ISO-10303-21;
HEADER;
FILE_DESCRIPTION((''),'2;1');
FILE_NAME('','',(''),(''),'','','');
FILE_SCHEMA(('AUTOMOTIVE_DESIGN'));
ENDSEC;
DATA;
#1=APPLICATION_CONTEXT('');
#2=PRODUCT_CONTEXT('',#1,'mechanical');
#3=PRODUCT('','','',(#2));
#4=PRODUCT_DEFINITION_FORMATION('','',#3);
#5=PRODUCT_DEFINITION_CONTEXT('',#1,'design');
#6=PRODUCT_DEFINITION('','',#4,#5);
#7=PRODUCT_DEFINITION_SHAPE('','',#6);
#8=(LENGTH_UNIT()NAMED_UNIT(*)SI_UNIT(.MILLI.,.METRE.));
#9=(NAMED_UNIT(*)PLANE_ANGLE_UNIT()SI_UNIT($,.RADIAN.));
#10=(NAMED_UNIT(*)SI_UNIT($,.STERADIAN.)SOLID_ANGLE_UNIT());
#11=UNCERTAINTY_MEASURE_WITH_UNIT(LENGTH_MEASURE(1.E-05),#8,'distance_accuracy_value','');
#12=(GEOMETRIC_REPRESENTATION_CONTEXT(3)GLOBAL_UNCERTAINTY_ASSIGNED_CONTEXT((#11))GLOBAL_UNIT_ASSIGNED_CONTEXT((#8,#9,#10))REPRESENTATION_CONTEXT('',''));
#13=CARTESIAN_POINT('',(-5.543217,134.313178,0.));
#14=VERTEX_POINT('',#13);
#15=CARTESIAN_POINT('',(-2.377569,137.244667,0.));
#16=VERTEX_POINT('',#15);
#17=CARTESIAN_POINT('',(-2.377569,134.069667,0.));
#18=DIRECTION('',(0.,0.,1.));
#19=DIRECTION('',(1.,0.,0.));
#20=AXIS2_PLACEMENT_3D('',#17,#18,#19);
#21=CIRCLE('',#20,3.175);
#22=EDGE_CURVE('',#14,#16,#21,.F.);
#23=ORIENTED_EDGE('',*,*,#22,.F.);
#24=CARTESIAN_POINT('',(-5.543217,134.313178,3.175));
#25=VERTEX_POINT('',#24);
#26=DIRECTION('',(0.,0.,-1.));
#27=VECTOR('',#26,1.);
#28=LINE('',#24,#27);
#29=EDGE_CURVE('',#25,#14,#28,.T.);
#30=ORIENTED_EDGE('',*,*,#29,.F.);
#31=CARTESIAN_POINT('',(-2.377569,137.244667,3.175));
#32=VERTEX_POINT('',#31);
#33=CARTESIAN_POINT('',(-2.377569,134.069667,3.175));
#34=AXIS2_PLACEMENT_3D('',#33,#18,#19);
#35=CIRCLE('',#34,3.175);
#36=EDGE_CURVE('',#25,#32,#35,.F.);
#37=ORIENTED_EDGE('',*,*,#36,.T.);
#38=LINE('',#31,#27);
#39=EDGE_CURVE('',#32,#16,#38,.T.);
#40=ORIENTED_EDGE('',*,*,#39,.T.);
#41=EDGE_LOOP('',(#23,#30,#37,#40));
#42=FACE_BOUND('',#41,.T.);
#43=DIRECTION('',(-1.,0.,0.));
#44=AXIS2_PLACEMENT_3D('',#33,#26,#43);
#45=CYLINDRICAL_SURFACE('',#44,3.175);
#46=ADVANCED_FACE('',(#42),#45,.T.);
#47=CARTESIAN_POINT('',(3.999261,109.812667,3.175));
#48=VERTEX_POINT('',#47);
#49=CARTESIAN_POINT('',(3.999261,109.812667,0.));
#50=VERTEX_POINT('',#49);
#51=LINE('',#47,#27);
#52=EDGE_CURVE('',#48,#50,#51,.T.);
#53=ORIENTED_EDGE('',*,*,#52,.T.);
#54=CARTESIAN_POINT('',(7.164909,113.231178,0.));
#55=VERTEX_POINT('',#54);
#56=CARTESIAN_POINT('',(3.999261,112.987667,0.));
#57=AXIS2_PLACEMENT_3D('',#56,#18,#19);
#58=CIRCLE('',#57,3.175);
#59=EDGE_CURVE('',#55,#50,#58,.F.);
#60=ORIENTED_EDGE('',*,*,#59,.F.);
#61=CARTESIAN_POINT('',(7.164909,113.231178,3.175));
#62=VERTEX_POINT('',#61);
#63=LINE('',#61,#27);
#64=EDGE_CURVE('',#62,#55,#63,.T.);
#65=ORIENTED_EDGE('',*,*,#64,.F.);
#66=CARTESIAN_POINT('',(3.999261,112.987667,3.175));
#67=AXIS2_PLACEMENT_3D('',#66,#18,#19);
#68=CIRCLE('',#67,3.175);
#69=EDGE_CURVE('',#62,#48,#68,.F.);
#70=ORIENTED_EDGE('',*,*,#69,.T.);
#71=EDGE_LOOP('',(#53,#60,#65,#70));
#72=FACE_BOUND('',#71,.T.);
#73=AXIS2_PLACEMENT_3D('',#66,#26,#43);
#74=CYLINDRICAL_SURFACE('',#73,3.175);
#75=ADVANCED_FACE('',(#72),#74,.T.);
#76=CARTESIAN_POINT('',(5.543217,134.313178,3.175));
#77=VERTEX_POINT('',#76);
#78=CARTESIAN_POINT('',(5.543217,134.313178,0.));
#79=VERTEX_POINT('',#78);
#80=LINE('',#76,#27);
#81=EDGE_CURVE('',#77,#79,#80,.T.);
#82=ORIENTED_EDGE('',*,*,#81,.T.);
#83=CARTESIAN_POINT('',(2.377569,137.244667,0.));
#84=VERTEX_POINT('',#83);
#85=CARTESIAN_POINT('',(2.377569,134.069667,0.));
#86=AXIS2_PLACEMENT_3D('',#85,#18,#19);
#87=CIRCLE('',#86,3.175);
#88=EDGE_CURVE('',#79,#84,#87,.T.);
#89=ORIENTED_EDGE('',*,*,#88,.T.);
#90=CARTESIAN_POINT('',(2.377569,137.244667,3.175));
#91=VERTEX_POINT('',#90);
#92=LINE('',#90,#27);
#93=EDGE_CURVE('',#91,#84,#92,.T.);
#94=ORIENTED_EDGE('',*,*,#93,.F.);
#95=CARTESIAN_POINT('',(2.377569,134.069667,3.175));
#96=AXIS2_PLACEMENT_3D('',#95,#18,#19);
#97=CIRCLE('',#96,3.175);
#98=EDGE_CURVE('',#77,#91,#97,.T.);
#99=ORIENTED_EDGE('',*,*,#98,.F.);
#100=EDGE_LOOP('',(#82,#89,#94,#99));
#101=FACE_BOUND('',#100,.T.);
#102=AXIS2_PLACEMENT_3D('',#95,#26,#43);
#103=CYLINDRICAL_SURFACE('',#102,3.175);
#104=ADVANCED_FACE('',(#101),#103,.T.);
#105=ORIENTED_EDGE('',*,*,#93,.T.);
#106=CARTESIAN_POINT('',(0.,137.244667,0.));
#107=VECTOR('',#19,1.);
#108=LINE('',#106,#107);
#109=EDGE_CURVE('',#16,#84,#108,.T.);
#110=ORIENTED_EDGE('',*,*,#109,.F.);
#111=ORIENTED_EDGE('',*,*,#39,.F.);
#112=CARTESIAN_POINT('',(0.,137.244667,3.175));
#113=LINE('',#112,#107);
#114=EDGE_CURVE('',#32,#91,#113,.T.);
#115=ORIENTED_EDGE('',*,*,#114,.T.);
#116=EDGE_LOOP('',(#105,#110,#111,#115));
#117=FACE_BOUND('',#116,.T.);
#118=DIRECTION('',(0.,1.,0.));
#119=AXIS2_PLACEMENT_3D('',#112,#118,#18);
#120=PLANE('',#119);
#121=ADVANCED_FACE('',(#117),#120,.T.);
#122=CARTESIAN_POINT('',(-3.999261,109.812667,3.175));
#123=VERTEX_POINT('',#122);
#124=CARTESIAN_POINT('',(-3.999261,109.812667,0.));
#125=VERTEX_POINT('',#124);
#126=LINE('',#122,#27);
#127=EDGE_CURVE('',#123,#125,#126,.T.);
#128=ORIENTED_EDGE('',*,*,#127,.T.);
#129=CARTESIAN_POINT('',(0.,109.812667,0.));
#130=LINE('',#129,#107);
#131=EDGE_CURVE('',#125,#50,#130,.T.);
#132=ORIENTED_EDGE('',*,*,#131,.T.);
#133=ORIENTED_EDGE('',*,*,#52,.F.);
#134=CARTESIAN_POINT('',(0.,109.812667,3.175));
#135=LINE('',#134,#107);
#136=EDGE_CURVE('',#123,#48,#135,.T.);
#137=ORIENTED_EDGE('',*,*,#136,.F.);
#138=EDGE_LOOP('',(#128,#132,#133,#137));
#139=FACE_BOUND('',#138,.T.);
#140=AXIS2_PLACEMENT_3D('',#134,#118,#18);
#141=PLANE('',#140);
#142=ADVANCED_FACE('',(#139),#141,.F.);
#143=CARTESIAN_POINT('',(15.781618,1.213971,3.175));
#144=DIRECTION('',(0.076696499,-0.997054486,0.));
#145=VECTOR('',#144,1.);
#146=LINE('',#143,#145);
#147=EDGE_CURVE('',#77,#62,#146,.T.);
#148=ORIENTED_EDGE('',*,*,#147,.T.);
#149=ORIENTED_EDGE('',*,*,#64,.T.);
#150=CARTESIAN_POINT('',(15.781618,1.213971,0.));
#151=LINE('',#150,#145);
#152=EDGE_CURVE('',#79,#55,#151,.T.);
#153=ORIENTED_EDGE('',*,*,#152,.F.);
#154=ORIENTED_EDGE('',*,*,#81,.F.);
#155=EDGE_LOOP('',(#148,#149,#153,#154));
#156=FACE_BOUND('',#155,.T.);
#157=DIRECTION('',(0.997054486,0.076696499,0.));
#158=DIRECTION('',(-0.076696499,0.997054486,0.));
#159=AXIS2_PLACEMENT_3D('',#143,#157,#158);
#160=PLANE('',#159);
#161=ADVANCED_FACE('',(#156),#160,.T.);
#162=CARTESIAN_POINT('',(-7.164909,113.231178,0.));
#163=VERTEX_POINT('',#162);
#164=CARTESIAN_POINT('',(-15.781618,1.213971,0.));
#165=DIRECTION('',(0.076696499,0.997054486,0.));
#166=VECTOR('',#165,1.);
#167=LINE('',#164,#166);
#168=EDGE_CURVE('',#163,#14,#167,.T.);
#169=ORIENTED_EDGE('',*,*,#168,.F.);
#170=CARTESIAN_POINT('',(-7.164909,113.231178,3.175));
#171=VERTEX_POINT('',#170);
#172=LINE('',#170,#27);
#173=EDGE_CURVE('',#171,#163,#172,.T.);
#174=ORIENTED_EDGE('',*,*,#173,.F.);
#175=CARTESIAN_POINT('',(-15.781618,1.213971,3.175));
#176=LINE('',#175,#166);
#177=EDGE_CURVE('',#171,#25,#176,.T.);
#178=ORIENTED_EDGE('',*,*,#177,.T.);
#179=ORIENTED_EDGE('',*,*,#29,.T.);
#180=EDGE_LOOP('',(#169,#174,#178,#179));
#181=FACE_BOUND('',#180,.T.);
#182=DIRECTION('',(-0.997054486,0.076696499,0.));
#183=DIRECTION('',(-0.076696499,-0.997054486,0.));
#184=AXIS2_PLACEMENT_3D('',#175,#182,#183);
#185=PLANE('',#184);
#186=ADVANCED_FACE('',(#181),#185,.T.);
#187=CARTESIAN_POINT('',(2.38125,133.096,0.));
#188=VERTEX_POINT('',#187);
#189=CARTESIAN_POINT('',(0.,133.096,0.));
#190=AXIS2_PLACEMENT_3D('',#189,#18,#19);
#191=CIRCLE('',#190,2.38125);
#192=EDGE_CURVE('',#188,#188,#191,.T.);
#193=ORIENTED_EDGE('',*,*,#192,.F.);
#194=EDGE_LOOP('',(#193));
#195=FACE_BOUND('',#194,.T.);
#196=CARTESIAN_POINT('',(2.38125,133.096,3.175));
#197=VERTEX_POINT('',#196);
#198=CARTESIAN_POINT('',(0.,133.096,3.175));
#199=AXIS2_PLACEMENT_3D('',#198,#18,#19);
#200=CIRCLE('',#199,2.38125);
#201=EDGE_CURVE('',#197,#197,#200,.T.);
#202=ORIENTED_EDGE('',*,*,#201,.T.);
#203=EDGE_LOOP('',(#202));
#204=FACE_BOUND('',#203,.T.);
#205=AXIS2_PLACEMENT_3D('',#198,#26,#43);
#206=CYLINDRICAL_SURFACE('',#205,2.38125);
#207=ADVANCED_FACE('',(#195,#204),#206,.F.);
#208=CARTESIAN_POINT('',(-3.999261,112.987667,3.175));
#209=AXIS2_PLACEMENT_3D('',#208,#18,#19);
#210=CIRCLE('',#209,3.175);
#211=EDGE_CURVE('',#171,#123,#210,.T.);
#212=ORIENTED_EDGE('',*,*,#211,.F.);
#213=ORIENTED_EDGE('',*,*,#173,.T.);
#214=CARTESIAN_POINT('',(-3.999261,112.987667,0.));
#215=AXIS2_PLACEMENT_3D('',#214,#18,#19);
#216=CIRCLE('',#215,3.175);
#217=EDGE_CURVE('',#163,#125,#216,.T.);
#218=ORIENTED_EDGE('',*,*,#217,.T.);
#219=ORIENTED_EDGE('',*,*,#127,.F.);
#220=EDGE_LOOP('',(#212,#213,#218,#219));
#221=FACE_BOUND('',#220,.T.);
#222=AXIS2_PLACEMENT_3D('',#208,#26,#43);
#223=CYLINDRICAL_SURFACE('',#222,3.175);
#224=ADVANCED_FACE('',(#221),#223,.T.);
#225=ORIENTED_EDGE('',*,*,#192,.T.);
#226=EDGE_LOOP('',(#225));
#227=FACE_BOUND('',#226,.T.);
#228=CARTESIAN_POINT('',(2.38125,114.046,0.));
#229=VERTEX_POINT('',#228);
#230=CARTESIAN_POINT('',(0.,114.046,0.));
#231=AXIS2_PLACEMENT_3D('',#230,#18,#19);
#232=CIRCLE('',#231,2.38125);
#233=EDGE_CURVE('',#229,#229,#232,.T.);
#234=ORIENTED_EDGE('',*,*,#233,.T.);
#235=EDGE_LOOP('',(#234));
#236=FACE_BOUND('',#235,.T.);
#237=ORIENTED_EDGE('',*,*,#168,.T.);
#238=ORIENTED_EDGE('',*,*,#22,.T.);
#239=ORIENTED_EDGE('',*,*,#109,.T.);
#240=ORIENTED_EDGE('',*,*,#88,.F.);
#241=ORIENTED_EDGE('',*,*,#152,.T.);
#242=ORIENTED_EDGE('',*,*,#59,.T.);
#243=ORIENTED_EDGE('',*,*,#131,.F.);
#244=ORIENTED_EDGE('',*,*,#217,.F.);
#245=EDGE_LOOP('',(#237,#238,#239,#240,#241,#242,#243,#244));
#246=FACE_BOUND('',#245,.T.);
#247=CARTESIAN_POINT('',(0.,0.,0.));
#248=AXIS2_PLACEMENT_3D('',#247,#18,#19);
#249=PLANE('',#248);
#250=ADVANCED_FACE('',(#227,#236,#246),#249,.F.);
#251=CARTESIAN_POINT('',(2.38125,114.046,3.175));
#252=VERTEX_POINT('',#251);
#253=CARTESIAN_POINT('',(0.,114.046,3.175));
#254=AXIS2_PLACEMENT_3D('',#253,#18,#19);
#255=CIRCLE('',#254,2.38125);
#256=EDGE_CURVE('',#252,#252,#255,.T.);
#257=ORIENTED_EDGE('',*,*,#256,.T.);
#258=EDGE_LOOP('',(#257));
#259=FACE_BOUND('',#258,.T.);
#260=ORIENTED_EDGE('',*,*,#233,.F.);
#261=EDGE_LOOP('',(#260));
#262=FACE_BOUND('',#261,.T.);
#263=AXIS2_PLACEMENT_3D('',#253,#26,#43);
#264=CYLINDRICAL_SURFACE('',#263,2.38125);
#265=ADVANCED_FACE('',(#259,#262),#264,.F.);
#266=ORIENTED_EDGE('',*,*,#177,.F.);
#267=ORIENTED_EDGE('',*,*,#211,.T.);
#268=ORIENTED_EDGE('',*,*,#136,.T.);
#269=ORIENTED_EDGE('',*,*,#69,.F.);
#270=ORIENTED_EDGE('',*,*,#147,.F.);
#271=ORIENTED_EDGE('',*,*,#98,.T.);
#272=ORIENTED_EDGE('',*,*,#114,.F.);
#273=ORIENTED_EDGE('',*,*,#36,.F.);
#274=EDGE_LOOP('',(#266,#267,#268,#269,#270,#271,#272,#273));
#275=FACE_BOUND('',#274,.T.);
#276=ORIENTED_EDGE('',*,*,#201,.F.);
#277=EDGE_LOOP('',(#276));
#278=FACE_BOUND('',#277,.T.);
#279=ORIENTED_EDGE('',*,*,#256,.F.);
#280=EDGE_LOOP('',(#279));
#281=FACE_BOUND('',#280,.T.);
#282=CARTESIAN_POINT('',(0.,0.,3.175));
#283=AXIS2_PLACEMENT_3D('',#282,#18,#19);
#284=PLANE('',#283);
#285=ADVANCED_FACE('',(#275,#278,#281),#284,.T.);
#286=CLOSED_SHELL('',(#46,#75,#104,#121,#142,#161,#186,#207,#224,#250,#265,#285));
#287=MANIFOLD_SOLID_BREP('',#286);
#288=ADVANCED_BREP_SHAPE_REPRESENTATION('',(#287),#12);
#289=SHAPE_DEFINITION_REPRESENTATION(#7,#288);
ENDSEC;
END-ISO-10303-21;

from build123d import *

# Parameters (mm, degrees)
BOSS_EXTRUDE1_DEPTH = 3.175


with BuildPart() as part:
    # Sketch1 → Boss-Extrude1 (new body)
    with BuildSketch(Plane.XY):
        with BuildLine():
            Line((0, 135.477250085), (0, 137.244666667))
            Line((0, 137.244666667), (-2.377569082, 137.244666667))
            ThreePointArc((-2.377569082, 137.244666667), (-4.534821542, 136.399234614), (-5.543217073, 134.313178051))
            Line((-5.543217073, 134.313178051), (-7.164909381, 113.231178051))
            ThreePointArc((-7.164909381, 113.231178051), (-6.328829337, 110.830414206), (-3.999261389, 109.812666667))
            Line((-3.999261389, 109.812666667), (0, 109.812666667))
            Line((0, 109.812666667), (0, 111.664750085))
            ThreePointArc((0, 111.664750085), (-2.38125, 114.046000085), (0, 116.427250085))
            Line((0, 116.427250085), (0, 130.714750085))
            ThreePointArc((0, 130.714750085), (-2.38125, 133.096000085), (0, 135.477250085))
        make_face()
        with BuildLine():
            Line((7.164909381, 113.231178051), (5.543217073, 134.313178051))
            ThreePointArc((5.543217073, 134.313178051), (4.534821542, 136.399234614), (2.377569082, 137.244666667))
            Line((2.377569082, 137.244666667), (0, 137.244666667))
            Line((0, 137.244666667), (0, 135.477250085))
            ThreePointArc((0, 135.477250085), (1.683798023, 134.779798107), (2.38125, 133.096000085))
            ThreePointArc((2.38125, 133.096000085), (1.683798023, 131.412202062), (0, 130.714750085))
            Line((0, 130.714750085), (0, 116.427250085))
            ThreePointArc((0, 116.427250085), (1.683798023, 115.729798107), (2.38125, 114.046000085))
            ThreePointArc((2.38125, 114.046000085), (1.683798023, 112.362202062), (0, 111.664750085))
            Line((0, 111.664750085), (0, 109.812666667))
            Line((0, 109.812666667), (3.999261389, 109.812666667))
            ThreePointArc((3.999261389, 109.812666667), (6.328829337, 110.830414206), (7.164909381, 113.231178051))
        make_face()
    extrude(amount=BOSS_EXTRUDE1_DEPTH)


solid = part.part
